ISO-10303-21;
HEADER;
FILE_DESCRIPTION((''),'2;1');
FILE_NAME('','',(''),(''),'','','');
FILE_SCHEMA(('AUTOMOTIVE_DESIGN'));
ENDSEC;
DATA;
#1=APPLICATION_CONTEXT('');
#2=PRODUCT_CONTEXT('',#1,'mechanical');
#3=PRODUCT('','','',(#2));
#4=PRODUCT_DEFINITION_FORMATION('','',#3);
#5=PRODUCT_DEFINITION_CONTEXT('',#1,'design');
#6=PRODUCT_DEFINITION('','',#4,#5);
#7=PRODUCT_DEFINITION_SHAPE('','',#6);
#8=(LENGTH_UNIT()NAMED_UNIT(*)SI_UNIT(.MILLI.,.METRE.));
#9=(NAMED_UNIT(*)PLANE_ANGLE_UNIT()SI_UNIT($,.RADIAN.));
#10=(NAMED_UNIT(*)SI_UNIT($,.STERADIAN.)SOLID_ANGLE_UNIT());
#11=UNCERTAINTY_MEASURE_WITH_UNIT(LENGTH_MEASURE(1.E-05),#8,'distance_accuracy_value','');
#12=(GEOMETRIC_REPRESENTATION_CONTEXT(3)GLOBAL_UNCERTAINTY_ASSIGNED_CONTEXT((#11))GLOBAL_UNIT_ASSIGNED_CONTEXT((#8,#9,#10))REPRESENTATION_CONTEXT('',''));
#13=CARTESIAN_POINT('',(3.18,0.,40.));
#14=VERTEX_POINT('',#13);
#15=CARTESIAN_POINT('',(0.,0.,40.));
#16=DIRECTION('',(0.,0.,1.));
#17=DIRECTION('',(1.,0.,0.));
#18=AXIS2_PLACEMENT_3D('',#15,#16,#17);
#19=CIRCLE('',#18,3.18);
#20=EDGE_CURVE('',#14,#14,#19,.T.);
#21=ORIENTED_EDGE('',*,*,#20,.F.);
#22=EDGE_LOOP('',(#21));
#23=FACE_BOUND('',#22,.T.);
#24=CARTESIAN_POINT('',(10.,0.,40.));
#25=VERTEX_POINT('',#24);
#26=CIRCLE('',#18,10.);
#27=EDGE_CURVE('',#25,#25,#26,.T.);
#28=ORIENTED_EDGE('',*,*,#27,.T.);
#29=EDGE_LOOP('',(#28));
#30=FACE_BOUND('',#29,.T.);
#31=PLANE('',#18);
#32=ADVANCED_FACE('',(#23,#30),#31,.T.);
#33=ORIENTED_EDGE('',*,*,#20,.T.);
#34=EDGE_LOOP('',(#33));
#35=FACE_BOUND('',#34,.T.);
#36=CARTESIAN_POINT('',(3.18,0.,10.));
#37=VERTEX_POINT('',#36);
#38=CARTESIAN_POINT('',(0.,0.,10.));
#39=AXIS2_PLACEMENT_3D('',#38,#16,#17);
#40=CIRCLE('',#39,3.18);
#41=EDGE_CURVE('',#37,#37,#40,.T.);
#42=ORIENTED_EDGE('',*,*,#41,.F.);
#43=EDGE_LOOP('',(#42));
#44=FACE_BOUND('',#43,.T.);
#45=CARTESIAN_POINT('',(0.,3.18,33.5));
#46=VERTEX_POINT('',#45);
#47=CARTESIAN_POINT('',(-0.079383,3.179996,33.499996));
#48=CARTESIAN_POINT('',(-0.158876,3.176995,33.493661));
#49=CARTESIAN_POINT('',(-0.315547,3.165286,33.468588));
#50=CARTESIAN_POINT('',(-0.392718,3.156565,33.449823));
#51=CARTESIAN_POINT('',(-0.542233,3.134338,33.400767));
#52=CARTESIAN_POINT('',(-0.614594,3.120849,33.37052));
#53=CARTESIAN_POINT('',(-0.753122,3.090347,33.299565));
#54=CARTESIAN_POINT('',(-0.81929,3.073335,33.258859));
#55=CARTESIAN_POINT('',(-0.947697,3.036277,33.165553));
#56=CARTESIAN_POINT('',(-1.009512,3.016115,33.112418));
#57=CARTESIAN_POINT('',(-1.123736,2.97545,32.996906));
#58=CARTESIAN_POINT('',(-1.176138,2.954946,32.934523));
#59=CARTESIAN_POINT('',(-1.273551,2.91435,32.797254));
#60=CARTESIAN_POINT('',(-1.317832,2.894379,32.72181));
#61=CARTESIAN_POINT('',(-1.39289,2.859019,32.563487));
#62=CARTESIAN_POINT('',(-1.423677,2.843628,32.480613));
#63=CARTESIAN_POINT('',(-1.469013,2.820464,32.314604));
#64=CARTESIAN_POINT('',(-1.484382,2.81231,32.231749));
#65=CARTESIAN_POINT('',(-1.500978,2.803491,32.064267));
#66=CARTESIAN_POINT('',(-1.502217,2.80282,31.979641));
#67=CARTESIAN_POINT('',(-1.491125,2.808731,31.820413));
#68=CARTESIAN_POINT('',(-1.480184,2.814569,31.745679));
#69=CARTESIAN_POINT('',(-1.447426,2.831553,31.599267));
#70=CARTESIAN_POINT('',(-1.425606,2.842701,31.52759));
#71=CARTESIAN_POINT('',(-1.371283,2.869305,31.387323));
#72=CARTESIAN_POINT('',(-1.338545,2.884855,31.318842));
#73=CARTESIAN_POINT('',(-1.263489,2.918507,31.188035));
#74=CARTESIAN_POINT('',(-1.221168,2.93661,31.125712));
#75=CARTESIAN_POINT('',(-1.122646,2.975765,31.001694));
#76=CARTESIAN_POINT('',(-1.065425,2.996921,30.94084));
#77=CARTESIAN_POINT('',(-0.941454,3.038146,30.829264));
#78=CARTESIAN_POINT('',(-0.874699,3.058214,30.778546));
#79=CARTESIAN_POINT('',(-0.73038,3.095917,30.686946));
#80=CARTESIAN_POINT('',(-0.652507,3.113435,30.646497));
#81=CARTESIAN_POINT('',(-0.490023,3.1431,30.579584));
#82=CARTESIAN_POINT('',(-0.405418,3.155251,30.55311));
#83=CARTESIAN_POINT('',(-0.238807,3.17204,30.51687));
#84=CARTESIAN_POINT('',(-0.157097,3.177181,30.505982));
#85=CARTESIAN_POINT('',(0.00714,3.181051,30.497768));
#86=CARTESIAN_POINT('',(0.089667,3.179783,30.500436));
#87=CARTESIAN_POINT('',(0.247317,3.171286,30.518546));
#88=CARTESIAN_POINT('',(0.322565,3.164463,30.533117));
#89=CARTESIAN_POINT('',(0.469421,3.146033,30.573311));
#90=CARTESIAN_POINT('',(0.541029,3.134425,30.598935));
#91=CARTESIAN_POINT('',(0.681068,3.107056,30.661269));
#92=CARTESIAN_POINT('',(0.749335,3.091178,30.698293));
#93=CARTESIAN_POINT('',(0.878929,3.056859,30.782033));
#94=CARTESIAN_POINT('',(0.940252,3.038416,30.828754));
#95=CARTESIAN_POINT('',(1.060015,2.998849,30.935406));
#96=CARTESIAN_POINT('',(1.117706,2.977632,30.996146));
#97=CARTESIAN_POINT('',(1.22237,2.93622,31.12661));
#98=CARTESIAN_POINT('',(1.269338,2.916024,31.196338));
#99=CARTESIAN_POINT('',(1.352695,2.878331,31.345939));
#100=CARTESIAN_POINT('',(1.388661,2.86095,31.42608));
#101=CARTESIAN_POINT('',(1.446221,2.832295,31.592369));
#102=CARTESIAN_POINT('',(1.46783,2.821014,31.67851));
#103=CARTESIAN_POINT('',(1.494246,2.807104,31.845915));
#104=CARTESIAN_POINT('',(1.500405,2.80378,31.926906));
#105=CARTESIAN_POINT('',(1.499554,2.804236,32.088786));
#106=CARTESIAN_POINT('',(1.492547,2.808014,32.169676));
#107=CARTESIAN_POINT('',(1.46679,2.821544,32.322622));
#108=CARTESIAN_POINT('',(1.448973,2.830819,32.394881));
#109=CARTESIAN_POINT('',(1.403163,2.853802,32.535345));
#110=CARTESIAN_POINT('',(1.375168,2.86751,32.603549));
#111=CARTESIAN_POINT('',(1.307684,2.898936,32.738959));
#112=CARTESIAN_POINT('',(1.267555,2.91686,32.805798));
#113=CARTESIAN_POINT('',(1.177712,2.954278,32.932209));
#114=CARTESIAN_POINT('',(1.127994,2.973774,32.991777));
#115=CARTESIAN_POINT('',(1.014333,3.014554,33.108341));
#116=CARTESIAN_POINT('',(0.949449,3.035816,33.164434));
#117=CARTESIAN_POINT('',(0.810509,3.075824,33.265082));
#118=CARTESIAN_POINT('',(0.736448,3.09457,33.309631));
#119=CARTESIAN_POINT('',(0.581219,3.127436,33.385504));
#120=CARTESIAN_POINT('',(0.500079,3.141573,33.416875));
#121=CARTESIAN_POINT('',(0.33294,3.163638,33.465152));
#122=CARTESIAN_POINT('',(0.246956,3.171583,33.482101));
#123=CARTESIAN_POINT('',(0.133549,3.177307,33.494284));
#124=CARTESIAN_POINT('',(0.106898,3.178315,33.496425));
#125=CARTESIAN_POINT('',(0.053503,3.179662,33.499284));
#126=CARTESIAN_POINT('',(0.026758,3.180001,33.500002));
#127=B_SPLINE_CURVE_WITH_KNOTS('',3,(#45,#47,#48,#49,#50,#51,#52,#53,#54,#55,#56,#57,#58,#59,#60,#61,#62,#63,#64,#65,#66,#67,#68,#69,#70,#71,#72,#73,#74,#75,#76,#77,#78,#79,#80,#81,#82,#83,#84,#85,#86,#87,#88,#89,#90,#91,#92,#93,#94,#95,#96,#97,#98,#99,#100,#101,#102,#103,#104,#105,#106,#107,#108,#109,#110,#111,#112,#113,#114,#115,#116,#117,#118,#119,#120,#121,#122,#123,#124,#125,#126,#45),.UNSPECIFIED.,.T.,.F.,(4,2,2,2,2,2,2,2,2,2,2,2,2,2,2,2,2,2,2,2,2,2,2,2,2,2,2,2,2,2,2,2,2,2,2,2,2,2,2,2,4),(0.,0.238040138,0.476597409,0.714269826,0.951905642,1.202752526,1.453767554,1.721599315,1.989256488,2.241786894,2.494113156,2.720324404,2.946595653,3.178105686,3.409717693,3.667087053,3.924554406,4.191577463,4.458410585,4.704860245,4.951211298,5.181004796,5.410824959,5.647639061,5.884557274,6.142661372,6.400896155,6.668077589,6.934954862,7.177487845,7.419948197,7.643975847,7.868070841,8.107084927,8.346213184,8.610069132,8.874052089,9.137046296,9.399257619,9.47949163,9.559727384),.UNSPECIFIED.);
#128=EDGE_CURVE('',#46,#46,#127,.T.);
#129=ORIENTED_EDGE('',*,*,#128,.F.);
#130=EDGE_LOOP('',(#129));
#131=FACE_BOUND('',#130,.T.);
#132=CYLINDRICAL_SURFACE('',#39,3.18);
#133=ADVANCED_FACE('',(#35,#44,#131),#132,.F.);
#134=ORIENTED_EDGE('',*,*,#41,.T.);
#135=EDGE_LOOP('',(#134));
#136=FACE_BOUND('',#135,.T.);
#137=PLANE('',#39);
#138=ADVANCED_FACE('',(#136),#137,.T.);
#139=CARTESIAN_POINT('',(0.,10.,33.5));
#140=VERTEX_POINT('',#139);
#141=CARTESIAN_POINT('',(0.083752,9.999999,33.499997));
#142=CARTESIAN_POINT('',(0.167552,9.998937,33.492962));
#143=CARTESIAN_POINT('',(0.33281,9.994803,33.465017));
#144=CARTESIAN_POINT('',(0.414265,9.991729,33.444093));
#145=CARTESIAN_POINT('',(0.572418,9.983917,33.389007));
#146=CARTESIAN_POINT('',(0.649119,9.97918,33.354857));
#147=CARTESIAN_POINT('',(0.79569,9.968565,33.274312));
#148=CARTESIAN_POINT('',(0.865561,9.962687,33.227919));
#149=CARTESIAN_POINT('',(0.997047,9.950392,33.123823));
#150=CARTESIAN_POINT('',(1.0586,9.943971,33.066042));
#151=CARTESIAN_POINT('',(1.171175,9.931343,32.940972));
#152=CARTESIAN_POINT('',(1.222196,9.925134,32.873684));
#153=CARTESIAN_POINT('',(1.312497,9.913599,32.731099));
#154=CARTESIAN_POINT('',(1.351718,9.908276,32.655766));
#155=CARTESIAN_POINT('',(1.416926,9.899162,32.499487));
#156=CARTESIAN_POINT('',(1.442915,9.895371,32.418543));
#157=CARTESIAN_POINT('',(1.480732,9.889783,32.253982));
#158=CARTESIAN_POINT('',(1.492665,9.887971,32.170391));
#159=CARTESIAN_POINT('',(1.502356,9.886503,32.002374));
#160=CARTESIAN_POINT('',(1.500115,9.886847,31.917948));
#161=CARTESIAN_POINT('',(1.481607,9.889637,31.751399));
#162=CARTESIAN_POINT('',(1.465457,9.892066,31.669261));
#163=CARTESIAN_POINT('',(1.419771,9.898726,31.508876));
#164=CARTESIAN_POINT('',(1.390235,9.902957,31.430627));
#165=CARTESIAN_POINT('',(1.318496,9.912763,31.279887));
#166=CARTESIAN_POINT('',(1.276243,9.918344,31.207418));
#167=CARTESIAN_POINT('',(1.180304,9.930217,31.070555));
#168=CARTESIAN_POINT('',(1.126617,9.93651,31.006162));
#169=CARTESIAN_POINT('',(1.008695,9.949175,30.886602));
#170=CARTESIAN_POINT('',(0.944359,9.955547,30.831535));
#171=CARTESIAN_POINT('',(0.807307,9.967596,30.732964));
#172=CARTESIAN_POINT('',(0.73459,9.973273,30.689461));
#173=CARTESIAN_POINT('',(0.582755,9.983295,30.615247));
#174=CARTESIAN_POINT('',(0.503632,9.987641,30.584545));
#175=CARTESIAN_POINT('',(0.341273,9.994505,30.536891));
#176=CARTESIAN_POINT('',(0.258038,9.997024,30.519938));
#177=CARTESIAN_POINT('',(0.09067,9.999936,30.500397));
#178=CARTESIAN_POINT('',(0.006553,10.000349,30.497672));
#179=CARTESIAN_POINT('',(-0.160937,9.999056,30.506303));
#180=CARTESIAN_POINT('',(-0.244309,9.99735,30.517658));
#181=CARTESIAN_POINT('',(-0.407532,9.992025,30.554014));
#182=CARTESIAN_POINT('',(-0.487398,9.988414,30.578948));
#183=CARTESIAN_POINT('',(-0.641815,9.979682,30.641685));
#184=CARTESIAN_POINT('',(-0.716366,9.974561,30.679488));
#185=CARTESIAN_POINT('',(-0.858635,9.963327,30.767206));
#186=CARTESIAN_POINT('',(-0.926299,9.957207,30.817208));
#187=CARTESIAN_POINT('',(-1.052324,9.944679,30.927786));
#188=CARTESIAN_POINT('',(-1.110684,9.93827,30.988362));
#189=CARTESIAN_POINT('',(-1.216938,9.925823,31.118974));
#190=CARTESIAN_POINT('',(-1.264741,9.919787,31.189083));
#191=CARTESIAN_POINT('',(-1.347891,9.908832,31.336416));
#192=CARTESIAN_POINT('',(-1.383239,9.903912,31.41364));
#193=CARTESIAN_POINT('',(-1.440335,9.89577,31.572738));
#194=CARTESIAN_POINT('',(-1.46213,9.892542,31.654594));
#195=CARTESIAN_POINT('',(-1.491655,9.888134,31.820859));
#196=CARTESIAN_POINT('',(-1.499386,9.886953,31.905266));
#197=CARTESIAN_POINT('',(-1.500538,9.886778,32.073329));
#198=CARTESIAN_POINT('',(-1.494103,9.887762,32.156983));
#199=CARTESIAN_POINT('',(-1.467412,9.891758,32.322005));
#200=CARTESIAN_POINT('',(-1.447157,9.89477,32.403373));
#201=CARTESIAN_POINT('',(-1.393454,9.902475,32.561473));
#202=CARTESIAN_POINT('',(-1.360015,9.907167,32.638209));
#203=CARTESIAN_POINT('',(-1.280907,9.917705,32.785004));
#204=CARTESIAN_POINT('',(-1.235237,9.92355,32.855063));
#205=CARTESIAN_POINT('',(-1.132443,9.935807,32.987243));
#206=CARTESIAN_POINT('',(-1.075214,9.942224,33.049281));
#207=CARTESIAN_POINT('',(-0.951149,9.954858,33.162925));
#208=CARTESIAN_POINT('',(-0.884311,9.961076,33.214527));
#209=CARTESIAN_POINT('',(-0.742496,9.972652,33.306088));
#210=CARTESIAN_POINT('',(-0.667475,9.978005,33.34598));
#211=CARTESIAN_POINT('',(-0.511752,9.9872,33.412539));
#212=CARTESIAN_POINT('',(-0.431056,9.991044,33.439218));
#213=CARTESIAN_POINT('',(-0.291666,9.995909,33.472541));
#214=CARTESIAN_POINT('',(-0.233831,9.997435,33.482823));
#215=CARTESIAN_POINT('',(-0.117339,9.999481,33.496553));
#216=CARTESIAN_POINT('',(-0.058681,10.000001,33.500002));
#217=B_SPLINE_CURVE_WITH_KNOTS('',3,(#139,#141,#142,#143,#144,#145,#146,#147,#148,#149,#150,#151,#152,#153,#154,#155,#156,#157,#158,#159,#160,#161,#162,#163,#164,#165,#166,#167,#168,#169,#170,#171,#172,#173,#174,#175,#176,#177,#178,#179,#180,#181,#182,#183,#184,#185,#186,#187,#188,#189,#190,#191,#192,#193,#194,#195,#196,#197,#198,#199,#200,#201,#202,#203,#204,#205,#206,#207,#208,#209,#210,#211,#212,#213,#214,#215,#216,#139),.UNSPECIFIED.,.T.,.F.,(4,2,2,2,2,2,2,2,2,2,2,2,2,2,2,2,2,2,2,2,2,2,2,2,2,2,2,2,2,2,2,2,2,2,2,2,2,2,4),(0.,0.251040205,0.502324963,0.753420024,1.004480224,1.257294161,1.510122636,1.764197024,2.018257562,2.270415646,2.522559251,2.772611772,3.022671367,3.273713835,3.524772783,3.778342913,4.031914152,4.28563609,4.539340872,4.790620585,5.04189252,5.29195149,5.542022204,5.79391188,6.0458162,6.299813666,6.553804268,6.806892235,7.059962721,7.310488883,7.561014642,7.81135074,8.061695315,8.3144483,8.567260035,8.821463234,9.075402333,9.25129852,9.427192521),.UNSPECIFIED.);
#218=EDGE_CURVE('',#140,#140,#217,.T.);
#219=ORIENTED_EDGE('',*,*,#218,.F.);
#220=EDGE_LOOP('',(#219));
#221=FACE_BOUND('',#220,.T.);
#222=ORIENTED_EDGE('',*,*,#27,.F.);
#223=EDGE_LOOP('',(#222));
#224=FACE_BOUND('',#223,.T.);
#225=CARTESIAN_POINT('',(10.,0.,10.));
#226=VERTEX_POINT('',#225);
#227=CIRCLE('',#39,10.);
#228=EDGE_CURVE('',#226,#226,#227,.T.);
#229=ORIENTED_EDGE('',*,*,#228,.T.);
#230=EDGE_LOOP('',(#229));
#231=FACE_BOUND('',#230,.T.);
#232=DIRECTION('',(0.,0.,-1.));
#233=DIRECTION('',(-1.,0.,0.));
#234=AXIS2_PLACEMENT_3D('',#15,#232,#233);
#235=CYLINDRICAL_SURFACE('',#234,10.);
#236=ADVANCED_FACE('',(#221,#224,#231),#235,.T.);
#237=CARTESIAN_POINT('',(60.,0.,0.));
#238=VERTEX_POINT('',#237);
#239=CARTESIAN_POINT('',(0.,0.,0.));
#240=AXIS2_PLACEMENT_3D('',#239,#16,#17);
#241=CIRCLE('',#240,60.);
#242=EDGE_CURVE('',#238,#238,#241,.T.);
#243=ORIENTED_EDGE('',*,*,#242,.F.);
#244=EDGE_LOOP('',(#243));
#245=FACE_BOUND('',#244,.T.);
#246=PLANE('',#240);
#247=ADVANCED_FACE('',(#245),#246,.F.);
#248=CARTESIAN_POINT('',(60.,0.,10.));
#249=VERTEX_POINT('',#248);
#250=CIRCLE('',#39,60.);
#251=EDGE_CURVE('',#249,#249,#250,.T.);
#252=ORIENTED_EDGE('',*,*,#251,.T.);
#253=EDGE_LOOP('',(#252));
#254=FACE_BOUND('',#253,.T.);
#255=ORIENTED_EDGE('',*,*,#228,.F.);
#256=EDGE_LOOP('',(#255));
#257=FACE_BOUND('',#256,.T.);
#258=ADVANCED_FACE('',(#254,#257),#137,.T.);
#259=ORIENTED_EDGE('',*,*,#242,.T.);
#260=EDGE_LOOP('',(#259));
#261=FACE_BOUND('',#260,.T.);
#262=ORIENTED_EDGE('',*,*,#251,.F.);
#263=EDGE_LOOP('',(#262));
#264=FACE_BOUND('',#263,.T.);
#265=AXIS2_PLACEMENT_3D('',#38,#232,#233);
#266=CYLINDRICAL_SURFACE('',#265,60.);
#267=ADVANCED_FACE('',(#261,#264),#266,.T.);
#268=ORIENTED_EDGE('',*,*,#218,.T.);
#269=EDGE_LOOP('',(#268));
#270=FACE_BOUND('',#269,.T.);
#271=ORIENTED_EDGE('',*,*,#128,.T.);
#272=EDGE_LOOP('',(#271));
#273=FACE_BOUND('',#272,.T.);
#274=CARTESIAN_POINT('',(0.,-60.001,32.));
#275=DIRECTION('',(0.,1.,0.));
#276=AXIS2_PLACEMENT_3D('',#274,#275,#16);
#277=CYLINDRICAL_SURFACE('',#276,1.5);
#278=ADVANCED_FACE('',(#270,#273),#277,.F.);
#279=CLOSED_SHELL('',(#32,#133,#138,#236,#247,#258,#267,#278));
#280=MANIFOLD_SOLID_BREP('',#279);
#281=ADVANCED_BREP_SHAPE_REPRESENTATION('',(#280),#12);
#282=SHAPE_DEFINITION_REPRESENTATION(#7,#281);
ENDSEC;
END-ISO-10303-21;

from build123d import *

# Parameters (mm, degrees)
SKETCH1_R               = 60
BOSS_EXTRUDE1_DEPTH     = 10
SKETCH2_R               = 10
BOSS_EXTRUDE2_DEPTH     = 30
SKETCH3_R               = 3.18
CUT_EXTRUDE1_DEPTH      = 30
CUT_EXTRUDE2_REACH      = 106.043
CUT_EXTRUDE2_END_RADIUS = 3.18
SKETCH4_R               = 1.5


with BuildPart() as part:
    # Sketch1 → Boss-Extrude1 (new body)
    with BuildSketch(Plane.XY):
        Circle(SKETCH1_R)
    extrude(amount=BOSS_EXTRUDE1_DEPTH)

    # Sketch2 → Boss-Extrude2 (add)
    with BuildSketch(Plane.XY.offset(10)):
        Circle(SKETCH2_R)
    extrude(amount=BOSS_EXTRUDE2_DEPTH)

    # Sketch3 → Cut-Extrude1 (cut)
    with BuildSketch(Plane.XY.offset(40)):
        Circle(SKETCH3_R)
    extrude(amount=-CUT_EXTRUDE1_DEPTH, mode=Mode.SUBTRACT)

    # Cut-Extrude2: up to this cylinder (the profile starts outside it)
    cut_extrude2_end = Plane(origin=(0, 0, 32), z_dir=(0, 0, 1)) * Cylinder(CUT_EXTRUDE2_END_RADIUS, 219.446, mode=Mode.PRIVATE)
    # Sketch4 → Cut-Extrude2 (cut, up to the surface)
    with BuildSketch(Plane(origin=(0, 15, 0), x_dir=(1, 0, 0), z_dir=(0, 1, 0)), mode=Mode.PRIVATE) as cut_extrude2_sk1:
        with Locations(Location((0, -32, 0), (0, 0, 270))):
            Circle(SKETCH4_R)
    cut_extrude2_tool1 = extrude(cut_extrude2_sk1.sketch, amount=-CUT_EXTRUDE2_REACH, mode=Mode.PRIVATE) - cut_extrude2_end
    add(cut_extrude2_tool1.solids().sort_by_distance((0, 15, 32))[0], mode=Mode.SUBTRACT)


solid = part.part
